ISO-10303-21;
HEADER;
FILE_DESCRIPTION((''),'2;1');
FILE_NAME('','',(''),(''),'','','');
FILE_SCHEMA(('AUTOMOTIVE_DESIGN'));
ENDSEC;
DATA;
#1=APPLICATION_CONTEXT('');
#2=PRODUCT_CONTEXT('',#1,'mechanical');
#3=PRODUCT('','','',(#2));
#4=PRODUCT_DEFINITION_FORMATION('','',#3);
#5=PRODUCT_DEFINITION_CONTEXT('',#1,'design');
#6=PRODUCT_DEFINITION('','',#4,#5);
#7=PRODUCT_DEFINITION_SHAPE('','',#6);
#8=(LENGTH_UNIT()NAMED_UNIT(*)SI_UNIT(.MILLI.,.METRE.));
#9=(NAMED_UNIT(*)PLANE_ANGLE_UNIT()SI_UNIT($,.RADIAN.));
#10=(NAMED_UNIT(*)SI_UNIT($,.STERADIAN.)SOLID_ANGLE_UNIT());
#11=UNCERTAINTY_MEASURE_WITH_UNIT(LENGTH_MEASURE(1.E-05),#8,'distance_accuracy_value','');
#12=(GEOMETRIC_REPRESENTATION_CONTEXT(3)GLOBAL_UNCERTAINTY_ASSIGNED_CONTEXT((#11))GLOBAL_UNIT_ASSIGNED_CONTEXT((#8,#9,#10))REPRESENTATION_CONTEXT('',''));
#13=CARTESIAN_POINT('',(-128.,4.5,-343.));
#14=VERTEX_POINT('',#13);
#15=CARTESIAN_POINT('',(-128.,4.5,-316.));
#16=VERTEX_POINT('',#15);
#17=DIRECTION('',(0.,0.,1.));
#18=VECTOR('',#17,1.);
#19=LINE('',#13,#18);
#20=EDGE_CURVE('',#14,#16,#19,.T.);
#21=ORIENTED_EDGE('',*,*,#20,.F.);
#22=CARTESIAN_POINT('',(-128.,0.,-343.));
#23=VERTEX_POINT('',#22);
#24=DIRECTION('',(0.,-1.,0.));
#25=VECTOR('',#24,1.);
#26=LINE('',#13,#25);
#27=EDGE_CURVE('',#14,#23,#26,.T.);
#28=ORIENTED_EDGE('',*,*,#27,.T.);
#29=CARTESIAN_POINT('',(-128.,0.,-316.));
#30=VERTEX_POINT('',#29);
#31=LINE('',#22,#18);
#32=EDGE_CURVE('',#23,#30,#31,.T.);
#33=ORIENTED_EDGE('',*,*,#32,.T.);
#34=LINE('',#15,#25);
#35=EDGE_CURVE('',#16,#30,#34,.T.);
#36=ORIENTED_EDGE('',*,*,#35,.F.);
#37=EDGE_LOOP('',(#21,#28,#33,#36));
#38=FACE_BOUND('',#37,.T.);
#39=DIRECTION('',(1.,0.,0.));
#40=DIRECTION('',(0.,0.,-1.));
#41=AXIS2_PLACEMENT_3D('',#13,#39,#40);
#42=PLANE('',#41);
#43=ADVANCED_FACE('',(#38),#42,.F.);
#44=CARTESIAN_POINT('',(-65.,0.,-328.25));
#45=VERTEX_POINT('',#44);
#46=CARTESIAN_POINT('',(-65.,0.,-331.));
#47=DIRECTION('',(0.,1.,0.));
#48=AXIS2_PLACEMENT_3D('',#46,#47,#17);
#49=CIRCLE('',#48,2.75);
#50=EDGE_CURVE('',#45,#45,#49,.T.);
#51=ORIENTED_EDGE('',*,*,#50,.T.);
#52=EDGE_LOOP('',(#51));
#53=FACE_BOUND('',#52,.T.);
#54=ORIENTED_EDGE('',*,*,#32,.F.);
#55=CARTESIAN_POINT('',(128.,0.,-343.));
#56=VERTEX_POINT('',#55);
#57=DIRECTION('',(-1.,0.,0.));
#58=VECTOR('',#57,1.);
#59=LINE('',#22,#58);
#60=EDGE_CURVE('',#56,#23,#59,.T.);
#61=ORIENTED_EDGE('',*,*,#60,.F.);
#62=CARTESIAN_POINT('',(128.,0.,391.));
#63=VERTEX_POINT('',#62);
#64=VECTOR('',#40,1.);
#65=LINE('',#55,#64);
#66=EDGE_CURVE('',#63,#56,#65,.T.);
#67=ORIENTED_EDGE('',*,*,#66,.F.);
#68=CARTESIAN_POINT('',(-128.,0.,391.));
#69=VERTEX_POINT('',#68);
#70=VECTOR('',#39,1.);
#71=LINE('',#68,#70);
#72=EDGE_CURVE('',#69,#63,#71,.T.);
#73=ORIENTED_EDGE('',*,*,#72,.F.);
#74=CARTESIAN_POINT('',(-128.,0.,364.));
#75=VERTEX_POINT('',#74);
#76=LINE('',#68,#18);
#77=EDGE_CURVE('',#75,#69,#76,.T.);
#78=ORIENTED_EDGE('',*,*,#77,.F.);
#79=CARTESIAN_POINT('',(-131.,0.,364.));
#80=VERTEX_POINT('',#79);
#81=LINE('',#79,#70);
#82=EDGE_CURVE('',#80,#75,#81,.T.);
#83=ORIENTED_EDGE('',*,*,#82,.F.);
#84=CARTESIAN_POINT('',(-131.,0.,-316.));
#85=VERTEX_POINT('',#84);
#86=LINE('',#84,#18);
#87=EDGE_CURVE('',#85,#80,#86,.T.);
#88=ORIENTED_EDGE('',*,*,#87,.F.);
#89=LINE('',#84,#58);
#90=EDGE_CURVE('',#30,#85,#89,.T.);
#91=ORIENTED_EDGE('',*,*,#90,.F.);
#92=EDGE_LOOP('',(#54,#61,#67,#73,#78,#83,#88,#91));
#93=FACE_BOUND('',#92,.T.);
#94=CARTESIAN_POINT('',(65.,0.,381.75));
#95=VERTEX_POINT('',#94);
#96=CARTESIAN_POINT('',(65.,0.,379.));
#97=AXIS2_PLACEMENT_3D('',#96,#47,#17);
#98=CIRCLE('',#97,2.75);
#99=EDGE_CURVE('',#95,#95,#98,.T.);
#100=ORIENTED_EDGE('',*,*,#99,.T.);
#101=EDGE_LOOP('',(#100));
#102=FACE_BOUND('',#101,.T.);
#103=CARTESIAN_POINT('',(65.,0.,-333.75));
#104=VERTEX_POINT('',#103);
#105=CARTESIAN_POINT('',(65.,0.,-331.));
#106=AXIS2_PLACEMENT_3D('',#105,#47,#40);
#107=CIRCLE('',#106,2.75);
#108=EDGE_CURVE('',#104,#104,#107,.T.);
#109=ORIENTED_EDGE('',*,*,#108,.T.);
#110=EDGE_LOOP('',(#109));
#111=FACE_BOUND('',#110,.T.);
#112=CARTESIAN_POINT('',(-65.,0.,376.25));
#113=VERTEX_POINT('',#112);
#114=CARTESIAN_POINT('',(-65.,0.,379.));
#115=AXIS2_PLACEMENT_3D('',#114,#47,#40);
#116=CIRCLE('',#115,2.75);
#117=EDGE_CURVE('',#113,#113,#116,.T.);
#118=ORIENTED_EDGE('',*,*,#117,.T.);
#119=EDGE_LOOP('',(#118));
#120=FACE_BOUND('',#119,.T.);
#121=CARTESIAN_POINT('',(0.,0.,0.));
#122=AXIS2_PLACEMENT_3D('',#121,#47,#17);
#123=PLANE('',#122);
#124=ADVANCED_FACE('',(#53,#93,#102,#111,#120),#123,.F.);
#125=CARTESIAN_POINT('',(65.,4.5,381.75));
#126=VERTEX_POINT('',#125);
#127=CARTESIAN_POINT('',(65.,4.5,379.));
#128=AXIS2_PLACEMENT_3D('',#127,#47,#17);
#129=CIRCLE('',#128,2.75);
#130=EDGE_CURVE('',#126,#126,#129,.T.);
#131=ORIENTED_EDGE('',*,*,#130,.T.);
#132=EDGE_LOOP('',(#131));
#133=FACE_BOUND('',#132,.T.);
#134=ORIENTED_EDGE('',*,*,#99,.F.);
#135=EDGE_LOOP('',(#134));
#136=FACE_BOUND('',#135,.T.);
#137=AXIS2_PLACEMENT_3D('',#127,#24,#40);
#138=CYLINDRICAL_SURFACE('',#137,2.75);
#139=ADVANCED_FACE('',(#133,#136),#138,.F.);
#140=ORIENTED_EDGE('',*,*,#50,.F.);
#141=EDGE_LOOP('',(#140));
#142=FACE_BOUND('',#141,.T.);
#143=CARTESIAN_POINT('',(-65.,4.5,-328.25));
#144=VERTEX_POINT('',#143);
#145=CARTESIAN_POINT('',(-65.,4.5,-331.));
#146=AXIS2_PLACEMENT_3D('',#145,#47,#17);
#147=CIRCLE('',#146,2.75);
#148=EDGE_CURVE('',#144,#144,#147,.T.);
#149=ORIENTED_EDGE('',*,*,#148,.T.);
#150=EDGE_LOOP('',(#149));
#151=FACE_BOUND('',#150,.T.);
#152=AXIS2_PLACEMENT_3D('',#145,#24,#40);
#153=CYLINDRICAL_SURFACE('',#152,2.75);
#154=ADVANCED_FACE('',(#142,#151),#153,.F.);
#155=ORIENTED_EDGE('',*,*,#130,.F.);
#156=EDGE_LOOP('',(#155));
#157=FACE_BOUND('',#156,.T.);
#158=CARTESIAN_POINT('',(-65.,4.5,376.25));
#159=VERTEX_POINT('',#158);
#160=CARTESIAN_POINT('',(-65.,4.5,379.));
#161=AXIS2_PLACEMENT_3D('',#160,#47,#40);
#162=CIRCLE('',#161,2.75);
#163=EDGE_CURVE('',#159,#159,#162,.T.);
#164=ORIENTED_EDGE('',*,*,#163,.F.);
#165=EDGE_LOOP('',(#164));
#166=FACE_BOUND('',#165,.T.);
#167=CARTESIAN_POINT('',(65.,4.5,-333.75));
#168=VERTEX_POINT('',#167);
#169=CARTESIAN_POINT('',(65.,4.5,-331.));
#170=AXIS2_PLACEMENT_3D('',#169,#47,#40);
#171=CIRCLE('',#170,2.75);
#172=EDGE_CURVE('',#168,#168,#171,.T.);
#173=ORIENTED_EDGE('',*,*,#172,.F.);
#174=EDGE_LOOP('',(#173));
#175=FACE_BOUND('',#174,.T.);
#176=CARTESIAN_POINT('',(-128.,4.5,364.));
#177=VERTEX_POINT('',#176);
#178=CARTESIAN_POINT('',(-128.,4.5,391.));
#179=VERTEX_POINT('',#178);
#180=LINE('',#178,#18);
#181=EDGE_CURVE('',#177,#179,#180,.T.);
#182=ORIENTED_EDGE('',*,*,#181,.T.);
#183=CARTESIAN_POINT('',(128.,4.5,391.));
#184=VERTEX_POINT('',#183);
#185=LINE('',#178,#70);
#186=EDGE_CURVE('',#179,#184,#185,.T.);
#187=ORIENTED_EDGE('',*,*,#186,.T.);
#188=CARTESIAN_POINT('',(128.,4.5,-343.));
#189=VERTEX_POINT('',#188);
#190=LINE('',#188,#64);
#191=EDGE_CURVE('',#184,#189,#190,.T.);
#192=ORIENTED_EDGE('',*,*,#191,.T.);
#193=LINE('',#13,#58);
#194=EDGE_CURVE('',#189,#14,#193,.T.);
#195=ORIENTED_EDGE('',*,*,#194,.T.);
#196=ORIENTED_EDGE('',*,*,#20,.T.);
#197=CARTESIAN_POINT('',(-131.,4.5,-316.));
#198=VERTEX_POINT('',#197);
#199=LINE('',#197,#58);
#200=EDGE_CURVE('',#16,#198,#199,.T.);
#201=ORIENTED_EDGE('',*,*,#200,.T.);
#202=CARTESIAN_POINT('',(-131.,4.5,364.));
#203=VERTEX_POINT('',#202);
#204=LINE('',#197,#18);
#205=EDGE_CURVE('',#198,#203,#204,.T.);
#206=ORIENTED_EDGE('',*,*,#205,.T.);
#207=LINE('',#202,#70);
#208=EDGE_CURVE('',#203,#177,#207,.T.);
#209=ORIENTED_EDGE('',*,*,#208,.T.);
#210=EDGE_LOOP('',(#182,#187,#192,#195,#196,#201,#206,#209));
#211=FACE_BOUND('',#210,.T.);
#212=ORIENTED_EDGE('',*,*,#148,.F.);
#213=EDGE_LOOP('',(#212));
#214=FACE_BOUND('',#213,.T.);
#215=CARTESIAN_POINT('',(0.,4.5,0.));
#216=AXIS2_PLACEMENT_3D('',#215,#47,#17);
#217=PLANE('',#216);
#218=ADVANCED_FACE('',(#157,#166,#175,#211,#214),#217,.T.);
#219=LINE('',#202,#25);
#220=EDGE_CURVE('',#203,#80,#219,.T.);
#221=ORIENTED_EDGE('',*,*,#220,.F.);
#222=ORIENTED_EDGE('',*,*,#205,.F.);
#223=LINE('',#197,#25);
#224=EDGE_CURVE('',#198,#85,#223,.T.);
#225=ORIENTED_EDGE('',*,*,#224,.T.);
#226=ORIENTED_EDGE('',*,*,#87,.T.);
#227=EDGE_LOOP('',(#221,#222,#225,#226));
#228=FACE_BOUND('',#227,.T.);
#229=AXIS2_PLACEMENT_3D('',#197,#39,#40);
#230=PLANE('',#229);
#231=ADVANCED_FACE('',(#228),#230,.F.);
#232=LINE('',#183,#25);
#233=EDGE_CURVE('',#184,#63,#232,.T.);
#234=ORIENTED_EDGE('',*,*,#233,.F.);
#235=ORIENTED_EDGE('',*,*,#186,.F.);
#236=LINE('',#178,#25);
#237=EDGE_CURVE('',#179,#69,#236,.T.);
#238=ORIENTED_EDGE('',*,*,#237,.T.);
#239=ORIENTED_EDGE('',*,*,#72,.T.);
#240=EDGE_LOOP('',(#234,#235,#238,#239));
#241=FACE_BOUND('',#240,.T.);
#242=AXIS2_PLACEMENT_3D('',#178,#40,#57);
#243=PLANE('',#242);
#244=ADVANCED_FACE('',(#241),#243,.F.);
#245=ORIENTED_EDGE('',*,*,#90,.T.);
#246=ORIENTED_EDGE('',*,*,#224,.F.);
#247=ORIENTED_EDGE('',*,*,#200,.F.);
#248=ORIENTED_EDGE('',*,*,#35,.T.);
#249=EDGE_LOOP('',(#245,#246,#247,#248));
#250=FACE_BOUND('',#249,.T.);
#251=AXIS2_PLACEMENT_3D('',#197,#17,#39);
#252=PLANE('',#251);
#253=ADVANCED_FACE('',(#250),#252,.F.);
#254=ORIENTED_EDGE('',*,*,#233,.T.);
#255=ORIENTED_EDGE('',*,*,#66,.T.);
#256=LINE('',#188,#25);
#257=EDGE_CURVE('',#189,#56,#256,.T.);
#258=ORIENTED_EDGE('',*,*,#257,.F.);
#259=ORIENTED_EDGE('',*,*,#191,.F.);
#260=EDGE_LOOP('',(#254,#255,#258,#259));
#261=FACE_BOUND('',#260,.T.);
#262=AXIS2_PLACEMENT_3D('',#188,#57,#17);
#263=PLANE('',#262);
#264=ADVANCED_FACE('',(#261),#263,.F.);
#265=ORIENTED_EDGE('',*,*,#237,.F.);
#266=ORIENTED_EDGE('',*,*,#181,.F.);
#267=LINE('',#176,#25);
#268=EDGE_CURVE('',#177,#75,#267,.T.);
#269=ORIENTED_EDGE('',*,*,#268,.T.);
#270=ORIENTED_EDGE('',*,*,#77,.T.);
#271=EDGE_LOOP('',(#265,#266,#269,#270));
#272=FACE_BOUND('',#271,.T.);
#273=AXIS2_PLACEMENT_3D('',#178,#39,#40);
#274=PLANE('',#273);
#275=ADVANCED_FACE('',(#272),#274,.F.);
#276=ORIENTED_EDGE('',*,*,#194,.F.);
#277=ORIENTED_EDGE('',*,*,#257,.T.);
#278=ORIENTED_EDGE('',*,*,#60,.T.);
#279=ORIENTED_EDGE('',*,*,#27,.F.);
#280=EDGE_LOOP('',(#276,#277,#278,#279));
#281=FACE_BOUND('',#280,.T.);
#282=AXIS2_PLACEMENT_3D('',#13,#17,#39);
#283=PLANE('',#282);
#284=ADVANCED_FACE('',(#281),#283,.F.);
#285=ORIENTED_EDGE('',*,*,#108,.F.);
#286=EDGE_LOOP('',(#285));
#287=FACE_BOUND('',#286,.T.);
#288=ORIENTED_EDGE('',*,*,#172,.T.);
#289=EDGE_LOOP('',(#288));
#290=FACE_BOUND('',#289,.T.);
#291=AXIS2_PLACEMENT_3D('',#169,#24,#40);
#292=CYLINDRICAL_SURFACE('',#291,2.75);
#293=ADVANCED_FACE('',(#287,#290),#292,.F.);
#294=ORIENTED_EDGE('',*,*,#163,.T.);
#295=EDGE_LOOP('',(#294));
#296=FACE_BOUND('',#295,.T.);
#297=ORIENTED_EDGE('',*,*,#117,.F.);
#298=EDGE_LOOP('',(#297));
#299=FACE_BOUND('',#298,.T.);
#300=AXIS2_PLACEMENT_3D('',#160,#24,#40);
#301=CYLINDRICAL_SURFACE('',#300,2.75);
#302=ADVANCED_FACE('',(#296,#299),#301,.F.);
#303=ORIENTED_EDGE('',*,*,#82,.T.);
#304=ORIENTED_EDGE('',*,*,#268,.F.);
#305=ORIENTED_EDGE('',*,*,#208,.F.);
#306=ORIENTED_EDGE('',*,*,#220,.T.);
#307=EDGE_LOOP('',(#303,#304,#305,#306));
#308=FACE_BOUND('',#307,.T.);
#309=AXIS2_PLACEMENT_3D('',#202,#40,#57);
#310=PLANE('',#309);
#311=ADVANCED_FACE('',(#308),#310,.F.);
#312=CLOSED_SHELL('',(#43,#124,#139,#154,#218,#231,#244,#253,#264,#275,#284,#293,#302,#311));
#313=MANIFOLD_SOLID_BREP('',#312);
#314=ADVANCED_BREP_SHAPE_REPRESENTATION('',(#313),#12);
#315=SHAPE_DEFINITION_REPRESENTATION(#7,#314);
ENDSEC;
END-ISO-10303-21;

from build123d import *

# Parameters (mm, degrees)
SKETCH1_R           = 2.75
BOSS_EXTRUDE2_DEPTH = 4.5


with BuildPart() as part:
    # Sketch1 → Boss-Extrude2 (new body)
    with BuildSketch(Plane(origin=(0, 0, 0), x_dir=(1, 0, 0), z_dir=(0, 1, 0))):
        Polygon((-128, 343), (128, 343), (128, -391), (-128, -391), (-128, -364), (-131, -364), (-131, 316), (-128, 316), align=None)
        with Locations(Location((-65, 331, 0), (0, 0, 270))):
            Circle(SKETCH1_R, mode=Mode.SUBTRACT)
        with Locations(Location((65, 331, 0), (0, 0, 90))):
            Circle(SKETCH1_R, mode=Mode.SUBTRACT)
        with Locations(Location((65, -379, 0), (0, 0, 270))):
            Circle(SKETCH1_R, mode=Mode.SUBTRACT)
        with Locations(Location((-65, -379, 0), (0, 0, 90))):
            Circle(SKETCH1_R, mode=Mode.SUBTRACT)
    extrude(amount=BOSS_EXTRUDE2_DEPTH)


solid = part.part
